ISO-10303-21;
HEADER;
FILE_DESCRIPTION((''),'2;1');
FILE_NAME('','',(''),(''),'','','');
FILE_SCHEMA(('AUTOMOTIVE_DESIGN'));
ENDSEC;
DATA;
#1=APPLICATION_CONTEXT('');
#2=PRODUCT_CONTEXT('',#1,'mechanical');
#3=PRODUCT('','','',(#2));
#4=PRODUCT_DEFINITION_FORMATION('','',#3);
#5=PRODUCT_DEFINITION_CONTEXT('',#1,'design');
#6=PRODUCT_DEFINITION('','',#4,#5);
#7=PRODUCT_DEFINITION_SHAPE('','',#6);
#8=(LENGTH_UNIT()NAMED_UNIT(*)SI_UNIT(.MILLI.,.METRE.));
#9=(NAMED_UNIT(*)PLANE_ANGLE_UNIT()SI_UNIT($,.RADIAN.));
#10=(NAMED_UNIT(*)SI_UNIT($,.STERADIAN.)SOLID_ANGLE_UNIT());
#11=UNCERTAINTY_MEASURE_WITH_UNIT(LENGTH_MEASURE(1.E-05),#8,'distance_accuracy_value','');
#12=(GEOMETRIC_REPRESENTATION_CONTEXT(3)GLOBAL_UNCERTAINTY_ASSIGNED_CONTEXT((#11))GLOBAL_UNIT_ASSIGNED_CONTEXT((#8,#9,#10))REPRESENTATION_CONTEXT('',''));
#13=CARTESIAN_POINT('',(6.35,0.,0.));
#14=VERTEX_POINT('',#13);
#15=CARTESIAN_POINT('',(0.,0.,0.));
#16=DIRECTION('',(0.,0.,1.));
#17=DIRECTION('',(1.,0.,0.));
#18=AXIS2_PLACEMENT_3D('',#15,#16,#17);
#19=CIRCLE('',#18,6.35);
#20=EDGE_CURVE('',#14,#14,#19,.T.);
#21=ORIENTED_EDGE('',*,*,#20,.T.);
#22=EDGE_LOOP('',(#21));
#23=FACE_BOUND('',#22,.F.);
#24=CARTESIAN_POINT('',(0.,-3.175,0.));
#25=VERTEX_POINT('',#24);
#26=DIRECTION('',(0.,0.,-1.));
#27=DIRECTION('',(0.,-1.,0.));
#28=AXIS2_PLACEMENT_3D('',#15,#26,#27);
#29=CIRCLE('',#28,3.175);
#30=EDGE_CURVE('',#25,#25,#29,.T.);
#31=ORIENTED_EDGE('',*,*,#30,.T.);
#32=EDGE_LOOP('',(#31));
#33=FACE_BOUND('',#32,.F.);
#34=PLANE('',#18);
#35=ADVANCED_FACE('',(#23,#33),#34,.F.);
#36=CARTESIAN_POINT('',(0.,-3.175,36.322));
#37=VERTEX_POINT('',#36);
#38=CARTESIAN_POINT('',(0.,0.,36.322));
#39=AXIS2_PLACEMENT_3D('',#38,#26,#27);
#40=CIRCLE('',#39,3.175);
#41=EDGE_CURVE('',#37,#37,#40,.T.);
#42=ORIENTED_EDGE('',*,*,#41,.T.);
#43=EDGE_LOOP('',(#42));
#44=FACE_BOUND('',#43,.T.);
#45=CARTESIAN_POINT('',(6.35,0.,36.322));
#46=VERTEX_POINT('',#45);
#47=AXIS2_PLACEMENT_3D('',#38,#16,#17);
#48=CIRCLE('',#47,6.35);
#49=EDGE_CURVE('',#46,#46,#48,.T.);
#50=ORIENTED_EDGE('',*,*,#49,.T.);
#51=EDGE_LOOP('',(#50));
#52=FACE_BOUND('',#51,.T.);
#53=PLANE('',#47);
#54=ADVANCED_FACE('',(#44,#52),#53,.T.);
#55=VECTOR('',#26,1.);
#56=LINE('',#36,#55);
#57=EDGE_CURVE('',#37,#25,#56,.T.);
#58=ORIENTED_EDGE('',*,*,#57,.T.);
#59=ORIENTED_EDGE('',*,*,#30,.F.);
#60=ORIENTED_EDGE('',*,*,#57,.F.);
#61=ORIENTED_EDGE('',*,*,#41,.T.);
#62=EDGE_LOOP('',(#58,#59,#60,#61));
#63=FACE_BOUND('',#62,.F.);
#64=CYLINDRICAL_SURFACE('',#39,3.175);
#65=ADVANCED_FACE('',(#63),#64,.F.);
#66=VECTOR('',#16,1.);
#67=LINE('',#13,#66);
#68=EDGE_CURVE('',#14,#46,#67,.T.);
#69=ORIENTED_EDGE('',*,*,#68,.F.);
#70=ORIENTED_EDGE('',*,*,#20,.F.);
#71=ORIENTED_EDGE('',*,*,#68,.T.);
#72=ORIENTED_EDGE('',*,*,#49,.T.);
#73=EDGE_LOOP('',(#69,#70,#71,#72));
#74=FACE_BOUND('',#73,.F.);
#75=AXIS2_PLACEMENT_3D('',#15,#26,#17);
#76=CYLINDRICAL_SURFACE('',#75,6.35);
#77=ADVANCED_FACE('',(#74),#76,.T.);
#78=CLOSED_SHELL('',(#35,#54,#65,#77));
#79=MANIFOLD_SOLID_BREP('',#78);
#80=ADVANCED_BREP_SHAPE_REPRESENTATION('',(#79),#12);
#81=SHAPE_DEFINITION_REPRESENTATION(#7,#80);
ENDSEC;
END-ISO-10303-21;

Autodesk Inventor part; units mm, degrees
ref_plane "YZ Plane" through (0, 0, 0) normal (1, 0, 0) x (0, 1, 0)
ref_plane "XZ Plane" through (0, 0, 0) normal (0, 1, 0) x (-1, 0, 0)
ref_plane "XY Plane" through (0, 0, 0) normal (0, 0, 1) x (1, 0, 0)
sketch "Sketch1" plane through (0, 0, 0) normal (0, 0, 1) x (1, 0, 0)
  circle A0 centre (0, 0) radius 6.35
  dimension "d0" = 12.7
extrude "Extrusion1" add sketch "Sketch1" along normal blind 36.322
sketch "Sketch2" plane through (0, 0, 36.322) normal (0, 0, 1) x (1, 0, 0)
  point P0 (0, 0)
  point P1 (0, 0)
hole "Hole1" at (0, 0, 36.322) direction (0, 0, -1) diameter 6.35 end through all
properties part number "CLB_082_ScissorsPulleySpacerShorter" material "Nylon 6/6"
